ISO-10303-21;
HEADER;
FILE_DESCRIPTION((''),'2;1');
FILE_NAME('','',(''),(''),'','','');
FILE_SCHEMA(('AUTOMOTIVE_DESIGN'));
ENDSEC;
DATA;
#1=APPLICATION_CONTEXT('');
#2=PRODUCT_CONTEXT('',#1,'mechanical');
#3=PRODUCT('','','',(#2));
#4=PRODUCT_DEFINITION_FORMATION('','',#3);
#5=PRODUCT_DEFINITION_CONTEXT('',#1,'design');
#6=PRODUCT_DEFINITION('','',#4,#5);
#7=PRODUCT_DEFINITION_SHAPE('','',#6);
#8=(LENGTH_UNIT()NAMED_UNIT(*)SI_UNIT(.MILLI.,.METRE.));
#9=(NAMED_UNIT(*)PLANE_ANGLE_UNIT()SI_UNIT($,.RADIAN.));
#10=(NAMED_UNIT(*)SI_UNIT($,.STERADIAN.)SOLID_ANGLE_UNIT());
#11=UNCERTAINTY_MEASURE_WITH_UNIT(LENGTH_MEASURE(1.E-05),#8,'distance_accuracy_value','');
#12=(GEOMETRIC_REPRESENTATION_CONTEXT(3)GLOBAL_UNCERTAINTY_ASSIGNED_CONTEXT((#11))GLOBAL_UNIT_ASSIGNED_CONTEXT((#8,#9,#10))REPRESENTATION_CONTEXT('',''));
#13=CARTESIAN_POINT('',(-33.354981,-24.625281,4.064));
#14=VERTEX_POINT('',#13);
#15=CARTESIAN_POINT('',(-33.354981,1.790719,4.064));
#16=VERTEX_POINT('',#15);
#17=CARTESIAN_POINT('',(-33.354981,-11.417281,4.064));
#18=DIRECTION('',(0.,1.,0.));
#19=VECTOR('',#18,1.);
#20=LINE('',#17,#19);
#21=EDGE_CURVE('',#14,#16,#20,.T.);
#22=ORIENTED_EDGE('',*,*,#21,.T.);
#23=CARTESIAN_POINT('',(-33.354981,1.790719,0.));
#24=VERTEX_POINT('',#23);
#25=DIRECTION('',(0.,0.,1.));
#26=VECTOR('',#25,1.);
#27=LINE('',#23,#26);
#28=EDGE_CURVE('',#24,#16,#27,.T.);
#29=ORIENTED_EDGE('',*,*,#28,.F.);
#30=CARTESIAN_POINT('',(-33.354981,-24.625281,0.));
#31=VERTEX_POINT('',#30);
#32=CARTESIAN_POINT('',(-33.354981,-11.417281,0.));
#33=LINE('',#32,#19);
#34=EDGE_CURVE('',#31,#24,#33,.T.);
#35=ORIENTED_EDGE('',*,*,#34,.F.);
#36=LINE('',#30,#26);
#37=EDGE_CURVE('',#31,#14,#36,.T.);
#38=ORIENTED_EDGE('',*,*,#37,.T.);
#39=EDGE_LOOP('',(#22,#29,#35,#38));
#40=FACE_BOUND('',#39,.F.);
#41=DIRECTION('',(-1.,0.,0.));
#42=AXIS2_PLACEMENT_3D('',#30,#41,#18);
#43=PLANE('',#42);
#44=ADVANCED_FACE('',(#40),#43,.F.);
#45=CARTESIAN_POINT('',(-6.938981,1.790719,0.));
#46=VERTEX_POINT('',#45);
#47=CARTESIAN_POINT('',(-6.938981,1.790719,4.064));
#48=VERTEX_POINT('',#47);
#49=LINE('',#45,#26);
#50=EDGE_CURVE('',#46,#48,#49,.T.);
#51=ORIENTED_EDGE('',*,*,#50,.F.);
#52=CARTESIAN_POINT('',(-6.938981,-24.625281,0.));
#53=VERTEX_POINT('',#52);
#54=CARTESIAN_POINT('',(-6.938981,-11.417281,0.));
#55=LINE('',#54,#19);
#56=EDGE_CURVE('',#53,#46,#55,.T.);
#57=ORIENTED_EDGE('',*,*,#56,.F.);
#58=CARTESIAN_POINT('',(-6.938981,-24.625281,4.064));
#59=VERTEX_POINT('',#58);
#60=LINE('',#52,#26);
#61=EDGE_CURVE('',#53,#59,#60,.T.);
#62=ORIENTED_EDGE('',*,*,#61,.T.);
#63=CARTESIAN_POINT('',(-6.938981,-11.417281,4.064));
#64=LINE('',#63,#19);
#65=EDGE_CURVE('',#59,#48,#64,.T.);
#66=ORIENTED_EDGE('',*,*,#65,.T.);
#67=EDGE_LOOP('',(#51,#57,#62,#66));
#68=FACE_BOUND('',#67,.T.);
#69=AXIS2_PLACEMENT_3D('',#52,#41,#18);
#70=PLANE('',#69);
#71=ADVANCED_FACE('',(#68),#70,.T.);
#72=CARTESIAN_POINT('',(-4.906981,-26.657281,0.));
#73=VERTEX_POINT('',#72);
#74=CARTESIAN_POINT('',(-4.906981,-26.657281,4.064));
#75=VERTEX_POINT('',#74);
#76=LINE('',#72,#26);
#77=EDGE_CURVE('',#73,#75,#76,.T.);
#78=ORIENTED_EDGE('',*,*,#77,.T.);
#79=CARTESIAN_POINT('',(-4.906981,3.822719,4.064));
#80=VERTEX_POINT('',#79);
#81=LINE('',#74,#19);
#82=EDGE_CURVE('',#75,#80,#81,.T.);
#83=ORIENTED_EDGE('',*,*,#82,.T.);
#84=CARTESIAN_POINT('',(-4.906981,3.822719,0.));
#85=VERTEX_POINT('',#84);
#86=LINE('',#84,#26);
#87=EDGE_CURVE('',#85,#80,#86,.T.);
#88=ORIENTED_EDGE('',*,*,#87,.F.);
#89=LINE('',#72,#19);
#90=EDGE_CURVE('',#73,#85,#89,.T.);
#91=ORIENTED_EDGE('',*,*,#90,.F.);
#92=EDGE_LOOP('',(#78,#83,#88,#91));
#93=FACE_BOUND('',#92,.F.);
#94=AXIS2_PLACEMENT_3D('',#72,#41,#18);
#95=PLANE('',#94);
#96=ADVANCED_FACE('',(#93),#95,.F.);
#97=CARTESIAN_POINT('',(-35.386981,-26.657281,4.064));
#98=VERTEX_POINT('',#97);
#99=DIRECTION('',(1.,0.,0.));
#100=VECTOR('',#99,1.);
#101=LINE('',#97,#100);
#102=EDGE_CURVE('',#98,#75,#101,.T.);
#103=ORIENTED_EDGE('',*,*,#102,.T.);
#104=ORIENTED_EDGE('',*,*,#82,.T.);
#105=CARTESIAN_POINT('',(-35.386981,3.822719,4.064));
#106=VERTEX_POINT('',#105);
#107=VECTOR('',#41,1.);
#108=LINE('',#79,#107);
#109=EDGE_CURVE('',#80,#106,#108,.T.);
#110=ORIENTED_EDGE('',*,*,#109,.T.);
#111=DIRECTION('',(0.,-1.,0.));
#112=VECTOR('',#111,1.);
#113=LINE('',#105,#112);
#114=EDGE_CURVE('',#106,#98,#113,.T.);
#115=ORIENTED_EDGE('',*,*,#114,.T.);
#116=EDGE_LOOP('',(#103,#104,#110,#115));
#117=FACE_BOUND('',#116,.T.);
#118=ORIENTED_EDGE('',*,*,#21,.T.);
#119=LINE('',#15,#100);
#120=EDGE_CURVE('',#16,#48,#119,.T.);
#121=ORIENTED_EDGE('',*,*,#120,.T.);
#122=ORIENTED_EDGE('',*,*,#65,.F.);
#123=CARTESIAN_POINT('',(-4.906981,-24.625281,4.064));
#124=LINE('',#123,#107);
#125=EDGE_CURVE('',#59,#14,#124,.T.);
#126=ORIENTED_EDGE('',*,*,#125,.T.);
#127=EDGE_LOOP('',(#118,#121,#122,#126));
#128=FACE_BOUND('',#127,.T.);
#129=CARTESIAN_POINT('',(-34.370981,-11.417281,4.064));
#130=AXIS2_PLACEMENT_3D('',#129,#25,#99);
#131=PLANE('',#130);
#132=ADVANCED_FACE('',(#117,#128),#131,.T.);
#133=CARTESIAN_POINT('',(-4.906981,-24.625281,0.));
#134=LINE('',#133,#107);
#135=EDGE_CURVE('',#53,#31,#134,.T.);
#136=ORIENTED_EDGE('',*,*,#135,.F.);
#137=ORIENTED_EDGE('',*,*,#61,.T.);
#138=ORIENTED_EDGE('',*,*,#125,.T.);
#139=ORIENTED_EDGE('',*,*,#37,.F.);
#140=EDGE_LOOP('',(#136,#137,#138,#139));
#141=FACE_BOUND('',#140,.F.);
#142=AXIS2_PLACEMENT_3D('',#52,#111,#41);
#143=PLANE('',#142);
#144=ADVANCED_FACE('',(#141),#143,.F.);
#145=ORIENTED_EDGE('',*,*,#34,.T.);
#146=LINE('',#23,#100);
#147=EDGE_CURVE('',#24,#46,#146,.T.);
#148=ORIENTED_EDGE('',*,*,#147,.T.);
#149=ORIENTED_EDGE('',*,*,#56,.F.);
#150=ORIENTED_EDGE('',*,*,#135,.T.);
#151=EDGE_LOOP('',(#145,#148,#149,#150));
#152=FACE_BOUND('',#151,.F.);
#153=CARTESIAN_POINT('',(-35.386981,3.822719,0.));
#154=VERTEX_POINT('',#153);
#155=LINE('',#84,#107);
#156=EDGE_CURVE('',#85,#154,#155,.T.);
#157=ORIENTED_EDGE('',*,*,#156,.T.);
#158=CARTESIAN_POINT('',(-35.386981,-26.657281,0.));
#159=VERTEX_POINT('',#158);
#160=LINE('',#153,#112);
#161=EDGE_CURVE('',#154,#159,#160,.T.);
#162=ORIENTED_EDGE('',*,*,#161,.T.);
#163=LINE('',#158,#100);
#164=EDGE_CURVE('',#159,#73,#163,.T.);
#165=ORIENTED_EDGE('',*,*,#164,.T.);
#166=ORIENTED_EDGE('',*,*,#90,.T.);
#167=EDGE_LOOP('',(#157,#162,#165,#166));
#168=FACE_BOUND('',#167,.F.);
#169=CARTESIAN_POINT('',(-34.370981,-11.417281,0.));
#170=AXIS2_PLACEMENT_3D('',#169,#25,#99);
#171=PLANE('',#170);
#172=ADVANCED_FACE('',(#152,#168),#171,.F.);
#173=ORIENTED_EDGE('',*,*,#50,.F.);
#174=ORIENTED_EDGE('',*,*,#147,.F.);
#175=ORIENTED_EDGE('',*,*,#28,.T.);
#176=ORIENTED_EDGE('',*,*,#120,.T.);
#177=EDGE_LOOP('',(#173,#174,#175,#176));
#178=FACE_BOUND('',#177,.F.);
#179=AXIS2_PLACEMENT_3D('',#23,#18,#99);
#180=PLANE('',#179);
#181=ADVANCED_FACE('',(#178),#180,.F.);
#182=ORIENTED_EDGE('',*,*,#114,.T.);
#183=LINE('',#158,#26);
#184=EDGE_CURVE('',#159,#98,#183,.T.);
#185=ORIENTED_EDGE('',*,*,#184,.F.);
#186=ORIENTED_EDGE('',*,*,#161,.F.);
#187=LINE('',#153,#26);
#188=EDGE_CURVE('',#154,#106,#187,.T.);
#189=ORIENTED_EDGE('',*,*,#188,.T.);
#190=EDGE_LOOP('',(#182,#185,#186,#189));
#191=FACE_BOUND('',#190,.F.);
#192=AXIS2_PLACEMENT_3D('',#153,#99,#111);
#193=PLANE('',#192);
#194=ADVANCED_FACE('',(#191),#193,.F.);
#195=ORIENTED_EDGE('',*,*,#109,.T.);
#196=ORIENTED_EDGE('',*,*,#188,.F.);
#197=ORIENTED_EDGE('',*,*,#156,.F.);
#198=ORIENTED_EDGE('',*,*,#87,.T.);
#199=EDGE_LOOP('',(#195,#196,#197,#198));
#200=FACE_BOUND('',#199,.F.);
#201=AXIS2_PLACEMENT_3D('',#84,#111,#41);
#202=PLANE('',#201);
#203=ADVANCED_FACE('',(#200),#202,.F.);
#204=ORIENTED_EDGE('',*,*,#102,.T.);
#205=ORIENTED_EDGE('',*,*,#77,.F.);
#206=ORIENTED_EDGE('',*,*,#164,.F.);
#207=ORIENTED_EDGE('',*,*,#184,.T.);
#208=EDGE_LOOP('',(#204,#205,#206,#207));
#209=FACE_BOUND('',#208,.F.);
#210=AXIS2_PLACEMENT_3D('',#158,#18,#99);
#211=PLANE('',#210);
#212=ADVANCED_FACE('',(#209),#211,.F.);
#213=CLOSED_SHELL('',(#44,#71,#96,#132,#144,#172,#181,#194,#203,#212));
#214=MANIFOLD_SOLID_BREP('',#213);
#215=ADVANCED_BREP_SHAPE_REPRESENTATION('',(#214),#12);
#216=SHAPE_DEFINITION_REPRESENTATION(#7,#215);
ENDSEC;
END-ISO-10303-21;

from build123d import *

# Parameters (mm, degrees)
F0_W     = 2.032
F0_H     = 26.416
F1_DEPTH = 4.064


with BuildPart() as f1:
    # F0 (on Top) → F1 (new body)
    with BuildSketch(Plane.XY):
        with Locations((-34.370981, -11.417281)):
            Rectangle(F0_W, F0_H)
        Polygon((-33.354981, -24.625281), (-35.386981, -24.625281), (-35.386981, -26.657281), (-4.906981, -26.657281), (-4.906981, -24.625281), (-6.938981, -24.625281), align=None)
        Polygon((-35.386981, 3.822719), (-35.386981, 1.790719), (-33.354981, 1.790719), (-6.938981, 1.790719), (-4.906981, 1.790719), (-4.906981, 3.822719), align=None)
        with Locations((-5.922981, -11.417281)):
            Rectangle(F0_W, F0_H)
    extrude(amount=F1_DEPTH)


solid = f1.part
